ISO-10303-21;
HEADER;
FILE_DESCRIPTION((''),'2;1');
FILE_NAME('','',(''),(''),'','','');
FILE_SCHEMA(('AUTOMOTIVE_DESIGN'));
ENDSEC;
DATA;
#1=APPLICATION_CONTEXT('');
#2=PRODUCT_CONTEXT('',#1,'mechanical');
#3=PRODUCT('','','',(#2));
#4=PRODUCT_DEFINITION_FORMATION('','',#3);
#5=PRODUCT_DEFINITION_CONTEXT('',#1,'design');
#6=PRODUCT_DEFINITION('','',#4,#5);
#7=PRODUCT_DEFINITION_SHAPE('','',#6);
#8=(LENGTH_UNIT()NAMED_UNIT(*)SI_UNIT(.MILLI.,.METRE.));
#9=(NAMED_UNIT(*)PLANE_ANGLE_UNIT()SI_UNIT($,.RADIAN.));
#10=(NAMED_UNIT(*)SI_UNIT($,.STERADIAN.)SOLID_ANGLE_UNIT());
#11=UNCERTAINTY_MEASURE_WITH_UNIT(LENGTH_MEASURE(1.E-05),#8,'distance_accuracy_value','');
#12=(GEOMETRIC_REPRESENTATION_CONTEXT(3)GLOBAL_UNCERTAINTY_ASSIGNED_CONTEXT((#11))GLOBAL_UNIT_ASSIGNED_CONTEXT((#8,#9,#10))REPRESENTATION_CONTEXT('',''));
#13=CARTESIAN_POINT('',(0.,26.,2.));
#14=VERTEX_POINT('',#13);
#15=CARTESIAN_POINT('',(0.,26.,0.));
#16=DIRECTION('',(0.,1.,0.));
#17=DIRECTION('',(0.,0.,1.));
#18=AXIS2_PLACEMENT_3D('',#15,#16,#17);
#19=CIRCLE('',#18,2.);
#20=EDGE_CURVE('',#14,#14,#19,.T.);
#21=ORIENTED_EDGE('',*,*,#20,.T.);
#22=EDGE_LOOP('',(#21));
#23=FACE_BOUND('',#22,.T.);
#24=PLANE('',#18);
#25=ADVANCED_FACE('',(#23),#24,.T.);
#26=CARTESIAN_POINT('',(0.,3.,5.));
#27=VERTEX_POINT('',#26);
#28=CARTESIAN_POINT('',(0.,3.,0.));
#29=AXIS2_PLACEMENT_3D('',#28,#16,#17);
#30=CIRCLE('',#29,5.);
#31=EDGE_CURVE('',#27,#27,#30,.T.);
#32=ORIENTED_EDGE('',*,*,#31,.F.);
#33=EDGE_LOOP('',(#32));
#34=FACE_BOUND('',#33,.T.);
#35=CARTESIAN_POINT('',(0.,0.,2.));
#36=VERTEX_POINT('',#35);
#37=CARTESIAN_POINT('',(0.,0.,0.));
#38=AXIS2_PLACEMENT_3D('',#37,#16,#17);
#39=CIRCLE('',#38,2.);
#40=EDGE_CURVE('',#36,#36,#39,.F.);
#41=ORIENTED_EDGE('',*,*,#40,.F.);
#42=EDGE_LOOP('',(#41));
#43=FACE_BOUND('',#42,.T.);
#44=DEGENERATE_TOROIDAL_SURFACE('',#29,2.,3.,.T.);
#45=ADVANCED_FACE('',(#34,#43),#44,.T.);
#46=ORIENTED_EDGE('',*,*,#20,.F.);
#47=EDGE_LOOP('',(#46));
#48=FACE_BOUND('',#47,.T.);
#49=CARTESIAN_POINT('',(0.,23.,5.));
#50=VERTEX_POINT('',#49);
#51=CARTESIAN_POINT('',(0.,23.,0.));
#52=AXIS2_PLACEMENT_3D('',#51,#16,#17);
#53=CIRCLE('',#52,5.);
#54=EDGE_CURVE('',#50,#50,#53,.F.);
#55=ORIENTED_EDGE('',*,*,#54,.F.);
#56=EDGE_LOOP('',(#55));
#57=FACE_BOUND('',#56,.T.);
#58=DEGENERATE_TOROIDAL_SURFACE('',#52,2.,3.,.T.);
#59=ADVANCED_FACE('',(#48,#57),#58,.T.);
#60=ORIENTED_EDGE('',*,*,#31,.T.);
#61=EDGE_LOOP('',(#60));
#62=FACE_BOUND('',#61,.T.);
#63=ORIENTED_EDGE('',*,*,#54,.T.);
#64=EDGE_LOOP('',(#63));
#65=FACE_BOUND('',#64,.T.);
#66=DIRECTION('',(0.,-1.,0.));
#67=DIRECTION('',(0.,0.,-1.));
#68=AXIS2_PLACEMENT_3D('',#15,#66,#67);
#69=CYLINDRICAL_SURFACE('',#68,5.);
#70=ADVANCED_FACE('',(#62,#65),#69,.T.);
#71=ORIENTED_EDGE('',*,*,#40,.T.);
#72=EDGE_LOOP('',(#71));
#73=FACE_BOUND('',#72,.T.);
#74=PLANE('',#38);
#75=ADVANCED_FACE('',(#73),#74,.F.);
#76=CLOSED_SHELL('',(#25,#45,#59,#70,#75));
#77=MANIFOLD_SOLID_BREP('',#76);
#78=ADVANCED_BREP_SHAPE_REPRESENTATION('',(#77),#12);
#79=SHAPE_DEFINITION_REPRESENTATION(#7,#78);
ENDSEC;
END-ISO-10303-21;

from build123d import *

# Parameters (mm, degrees)
CROQUIS1_R              = 5
SALIENTE_EXTRUIR1_DEPTH = 26
REDONDEO1_R             = 3


with BuildPart() as part:
    # Croquis1 → Saliente-Extruir1 (new body)
    with BuildSketch(Plane(origin=(0, 0, 0), x_dir=(1, 0, 0), z_dir=(0, 1, 0))):
        Circle(CROQUIS1_R)
    extrude(amount=SALIENTE_EXTRUIR1_DEPTH)

    # Redondeo1
    redondeo1_edges = [part.edges().sort_by_distance(p)[0] for p in [
        (-5, 0, 0),
        (-5, 26, 0),
    ]]
    fillet(redondeo1_edges, radius=REDONDEO1_R)


solid = part.part
